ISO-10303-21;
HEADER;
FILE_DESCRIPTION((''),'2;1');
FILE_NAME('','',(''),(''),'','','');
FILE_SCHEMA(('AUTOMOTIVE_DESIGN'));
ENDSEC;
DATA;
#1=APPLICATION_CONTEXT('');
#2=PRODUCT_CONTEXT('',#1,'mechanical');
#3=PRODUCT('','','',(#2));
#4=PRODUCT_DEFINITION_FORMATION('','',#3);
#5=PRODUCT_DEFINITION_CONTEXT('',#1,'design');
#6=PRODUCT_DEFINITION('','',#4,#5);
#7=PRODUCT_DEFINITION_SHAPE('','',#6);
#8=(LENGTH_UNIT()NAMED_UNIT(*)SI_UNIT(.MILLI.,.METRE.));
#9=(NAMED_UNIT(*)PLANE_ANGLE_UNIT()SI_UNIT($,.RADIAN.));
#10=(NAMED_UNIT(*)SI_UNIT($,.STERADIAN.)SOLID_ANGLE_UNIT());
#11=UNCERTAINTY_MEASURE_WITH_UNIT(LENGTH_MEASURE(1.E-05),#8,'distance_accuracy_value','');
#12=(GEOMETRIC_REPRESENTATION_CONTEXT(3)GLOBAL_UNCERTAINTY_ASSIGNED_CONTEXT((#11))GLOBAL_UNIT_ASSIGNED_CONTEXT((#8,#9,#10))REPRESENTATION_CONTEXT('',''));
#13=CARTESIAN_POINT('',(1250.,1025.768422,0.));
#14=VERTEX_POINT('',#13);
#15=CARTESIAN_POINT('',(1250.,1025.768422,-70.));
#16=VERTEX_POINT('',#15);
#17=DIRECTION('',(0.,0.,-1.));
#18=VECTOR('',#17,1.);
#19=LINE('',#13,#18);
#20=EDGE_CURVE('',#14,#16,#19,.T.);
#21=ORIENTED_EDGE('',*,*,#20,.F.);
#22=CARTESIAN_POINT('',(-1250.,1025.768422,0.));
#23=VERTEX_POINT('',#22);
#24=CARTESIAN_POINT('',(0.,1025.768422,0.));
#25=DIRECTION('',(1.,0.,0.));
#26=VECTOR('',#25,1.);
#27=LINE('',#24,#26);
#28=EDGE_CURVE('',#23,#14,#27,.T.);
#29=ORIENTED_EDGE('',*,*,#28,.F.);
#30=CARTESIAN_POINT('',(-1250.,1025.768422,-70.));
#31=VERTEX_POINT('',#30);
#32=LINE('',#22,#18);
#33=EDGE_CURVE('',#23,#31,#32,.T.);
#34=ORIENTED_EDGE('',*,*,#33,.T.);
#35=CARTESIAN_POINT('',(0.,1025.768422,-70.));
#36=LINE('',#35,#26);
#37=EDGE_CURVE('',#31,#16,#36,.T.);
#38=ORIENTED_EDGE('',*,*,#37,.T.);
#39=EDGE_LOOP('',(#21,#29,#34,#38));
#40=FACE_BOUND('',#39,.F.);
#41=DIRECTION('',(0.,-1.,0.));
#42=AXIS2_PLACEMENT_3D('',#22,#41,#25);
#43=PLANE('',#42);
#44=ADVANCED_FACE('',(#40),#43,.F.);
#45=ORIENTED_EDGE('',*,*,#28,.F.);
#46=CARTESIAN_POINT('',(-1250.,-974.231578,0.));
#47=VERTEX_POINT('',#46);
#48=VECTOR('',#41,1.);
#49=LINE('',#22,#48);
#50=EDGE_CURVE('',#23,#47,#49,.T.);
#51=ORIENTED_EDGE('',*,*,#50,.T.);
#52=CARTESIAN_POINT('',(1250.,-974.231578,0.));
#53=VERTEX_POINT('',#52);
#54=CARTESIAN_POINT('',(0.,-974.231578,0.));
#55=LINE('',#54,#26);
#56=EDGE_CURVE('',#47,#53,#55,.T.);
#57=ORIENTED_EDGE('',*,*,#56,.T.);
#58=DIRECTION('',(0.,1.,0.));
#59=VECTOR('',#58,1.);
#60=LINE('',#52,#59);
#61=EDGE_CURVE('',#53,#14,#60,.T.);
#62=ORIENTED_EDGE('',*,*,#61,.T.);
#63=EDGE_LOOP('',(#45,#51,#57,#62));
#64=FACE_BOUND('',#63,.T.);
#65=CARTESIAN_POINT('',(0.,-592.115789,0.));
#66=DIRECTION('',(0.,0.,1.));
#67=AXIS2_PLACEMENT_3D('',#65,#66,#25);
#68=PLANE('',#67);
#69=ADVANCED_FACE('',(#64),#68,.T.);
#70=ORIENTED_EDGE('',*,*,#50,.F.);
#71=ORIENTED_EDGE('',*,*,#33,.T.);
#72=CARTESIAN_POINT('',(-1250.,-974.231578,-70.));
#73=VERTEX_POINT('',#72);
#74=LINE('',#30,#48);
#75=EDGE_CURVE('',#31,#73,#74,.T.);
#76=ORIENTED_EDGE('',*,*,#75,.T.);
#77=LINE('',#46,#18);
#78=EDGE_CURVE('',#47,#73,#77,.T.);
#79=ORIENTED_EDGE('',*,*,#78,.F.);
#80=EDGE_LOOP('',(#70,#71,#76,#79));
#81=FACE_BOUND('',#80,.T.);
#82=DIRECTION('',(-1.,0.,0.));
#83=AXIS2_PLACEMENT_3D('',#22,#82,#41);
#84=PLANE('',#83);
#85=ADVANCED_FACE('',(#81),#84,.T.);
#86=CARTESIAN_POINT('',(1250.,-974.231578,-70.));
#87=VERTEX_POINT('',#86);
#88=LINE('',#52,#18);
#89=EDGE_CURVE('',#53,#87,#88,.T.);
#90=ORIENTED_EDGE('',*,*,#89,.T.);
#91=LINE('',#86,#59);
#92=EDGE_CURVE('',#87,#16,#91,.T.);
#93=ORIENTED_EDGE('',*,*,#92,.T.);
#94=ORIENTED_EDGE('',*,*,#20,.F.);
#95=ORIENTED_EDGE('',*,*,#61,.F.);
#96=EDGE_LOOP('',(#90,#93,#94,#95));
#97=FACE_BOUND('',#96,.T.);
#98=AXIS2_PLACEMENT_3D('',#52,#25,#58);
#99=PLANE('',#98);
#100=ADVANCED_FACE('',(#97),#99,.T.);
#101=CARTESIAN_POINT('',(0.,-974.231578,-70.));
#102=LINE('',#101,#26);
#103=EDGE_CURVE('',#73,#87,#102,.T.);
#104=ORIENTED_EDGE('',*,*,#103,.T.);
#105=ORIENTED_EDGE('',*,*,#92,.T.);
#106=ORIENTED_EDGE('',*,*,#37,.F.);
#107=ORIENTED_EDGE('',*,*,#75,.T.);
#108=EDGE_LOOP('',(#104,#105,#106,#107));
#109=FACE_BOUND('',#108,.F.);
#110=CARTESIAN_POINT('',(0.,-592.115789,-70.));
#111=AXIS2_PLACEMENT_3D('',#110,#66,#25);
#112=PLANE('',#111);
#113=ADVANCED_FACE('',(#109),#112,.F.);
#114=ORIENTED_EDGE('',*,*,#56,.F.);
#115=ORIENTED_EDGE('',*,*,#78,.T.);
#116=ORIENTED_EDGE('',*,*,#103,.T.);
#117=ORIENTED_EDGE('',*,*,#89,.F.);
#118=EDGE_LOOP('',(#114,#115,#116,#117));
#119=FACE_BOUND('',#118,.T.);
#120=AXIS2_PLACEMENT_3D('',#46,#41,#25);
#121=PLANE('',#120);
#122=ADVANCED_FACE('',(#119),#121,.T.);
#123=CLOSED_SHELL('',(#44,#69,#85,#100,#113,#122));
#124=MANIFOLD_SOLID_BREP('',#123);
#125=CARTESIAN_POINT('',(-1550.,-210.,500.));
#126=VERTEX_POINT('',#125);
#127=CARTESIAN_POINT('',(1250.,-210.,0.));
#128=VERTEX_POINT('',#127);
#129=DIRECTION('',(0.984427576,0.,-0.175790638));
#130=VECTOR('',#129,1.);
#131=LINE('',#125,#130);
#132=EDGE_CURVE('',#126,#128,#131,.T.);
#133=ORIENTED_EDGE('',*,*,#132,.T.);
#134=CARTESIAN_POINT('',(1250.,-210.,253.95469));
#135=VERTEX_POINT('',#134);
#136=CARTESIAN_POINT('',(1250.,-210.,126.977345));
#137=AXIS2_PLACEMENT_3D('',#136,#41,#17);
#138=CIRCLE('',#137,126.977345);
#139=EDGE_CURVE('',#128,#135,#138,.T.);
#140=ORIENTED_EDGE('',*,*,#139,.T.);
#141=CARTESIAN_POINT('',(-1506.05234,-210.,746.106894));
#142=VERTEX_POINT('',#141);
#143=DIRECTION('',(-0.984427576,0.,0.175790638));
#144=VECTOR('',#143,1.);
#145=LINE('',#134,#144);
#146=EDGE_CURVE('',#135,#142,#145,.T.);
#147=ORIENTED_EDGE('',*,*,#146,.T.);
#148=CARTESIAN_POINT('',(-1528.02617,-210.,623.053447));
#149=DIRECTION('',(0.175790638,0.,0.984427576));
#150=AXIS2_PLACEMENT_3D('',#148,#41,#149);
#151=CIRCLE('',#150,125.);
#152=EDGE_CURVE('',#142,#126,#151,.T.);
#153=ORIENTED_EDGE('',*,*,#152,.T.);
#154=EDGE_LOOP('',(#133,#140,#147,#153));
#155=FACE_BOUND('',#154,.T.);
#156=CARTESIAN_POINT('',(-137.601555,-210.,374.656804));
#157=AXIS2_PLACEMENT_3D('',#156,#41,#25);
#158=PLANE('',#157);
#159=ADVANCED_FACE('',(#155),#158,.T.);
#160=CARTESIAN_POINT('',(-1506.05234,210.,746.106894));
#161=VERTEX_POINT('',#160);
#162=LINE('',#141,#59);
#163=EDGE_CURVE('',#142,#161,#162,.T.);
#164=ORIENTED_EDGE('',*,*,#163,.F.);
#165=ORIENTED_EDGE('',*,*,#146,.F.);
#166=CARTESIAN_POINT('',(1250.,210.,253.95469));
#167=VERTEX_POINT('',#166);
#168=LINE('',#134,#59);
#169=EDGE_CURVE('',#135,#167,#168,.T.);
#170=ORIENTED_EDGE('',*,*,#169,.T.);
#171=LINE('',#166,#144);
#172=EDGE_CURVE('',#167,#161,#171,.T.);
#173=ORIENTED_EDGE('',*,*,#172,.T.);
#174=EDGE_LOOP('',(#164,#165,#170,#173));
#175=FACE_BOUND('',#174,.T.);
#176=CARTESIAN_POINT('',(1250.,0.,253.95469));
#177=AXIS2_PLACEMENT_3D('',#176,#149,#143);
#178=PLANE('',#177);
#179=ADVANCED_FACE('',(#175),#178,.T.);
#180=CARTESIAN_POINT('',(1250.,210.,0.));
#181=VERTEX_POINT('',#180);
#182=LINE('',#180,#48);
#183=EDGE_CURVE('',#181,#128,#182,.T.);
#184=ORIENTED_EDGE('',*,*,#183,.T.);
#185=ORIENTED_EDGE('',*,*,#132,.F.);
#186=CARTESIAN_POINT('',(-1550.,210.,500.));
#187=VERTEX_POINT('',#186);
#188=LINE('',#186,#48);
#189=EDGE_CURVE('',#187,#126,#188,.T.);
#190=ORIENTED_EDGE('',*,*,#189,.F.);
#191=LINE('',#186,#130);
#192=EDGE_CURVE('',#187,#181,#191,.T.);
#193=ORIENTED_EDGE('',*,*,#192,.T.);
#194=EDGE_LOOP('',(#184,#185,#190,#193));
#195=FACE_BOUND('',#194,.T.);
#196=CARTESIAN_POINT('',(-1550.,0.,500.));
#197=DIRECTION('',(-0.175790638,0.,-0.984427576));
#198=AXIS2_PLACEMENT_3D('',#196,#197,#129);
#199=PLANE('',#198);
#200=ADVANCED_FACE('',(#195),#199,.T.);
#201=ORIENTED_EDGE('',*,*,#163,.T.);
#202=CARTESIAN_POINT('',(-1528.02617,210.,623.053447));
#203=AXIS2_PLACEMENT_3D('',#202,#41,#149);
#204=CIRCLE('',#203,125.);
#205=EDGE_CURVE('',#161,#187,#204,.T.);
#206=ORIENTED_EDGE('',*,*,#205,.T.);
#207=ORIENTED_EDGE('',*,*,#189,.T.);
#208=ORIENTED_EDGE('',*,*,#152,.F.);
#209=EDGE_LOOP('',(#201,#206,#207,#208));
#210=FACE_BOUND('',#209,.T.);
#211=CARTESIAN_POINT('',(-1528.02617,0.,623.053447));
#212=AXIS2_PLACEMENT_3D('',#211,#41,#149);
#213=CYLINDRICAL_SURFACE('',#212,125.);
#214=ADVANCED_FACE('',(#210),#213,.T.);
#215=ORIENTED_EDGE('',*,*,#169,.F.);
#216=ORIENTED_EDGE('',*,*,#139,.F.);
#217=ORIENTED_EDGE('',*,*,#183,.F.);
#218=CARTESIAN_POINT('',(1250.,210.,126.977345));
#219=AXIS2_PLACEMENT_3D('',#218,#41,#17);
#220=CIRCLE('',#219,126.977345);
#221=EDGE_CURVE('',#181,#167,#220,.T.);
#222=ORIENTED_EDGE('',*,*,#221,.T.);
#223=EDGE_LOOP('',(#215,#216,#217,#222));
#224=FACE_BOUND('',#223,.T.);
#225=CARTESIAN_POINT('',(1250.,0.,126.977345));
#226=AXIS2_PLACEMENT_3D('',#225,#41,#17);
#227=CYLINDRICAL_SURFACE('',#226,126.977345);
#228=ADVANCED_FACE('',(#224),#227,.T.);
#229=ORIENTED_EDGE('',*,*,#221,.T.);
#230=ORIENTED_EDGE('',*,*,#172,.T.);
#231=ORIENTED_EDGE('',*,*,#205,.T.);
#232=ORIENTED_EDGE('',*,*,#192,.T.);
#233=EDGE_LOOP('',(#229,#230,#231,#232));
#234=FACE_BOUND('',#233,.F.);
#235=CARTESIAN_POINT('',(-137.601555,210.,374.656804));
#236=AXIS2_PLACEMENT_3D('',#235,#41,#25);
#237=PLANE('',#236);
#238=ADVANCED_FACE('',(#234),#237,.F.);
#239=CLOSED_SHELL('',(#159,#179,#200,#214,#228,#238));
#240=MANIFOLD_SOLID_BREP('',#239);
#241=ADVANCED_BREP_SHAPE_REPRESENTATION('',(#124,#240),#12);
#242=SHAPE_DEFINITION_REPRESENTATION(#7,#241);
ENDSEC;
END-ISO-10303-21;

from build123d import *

# Parameters (mm, degrees)
F0_W     = 2500
F0_H     = 764.2315775156
F0_H_2   = 420
F0_H_3   = 815.7684224844
F1_DEPTH = 70
F3_DEPTH = 210


with BuildPart() as f1:
    # F0 (on Top) → F1 (new body)
    with BuildSketch(Plane.XY):
        with Locations((0, -592.1157887578)):
            Rectangle(F0_W, F0_H)
        Rectangle(F0_W, F0_H_2)
        with Locations((0, 617.8842112422)):
            Rectangle(F0_W, F0_H_3)
    extrude(amount=-F1_DEPTH)


with BuildPart() as f3:
    # F2 (on Front) → F3 (new body, symmetric)
    with BuildSketch(Plane.XZ):
        with BuildLine():
            ThreePointArc((-1506.0523403791, 746.1068938771), (-1651.0796171281, 645.027276749), (-1550, 500))
            Line((-1550, 500), (1250, 0))
            ThreePointArc((1250, 0), (1376.977345119, 126.977345119), (1250, 253.954690238))
            Line((1250, 253.954690238), (-1506.0523403791, 746.1068938771))
        make_face()
    extrude(amount=F3_DEPTH, both=True)


solid = Compound([f1.part, f3.part])
